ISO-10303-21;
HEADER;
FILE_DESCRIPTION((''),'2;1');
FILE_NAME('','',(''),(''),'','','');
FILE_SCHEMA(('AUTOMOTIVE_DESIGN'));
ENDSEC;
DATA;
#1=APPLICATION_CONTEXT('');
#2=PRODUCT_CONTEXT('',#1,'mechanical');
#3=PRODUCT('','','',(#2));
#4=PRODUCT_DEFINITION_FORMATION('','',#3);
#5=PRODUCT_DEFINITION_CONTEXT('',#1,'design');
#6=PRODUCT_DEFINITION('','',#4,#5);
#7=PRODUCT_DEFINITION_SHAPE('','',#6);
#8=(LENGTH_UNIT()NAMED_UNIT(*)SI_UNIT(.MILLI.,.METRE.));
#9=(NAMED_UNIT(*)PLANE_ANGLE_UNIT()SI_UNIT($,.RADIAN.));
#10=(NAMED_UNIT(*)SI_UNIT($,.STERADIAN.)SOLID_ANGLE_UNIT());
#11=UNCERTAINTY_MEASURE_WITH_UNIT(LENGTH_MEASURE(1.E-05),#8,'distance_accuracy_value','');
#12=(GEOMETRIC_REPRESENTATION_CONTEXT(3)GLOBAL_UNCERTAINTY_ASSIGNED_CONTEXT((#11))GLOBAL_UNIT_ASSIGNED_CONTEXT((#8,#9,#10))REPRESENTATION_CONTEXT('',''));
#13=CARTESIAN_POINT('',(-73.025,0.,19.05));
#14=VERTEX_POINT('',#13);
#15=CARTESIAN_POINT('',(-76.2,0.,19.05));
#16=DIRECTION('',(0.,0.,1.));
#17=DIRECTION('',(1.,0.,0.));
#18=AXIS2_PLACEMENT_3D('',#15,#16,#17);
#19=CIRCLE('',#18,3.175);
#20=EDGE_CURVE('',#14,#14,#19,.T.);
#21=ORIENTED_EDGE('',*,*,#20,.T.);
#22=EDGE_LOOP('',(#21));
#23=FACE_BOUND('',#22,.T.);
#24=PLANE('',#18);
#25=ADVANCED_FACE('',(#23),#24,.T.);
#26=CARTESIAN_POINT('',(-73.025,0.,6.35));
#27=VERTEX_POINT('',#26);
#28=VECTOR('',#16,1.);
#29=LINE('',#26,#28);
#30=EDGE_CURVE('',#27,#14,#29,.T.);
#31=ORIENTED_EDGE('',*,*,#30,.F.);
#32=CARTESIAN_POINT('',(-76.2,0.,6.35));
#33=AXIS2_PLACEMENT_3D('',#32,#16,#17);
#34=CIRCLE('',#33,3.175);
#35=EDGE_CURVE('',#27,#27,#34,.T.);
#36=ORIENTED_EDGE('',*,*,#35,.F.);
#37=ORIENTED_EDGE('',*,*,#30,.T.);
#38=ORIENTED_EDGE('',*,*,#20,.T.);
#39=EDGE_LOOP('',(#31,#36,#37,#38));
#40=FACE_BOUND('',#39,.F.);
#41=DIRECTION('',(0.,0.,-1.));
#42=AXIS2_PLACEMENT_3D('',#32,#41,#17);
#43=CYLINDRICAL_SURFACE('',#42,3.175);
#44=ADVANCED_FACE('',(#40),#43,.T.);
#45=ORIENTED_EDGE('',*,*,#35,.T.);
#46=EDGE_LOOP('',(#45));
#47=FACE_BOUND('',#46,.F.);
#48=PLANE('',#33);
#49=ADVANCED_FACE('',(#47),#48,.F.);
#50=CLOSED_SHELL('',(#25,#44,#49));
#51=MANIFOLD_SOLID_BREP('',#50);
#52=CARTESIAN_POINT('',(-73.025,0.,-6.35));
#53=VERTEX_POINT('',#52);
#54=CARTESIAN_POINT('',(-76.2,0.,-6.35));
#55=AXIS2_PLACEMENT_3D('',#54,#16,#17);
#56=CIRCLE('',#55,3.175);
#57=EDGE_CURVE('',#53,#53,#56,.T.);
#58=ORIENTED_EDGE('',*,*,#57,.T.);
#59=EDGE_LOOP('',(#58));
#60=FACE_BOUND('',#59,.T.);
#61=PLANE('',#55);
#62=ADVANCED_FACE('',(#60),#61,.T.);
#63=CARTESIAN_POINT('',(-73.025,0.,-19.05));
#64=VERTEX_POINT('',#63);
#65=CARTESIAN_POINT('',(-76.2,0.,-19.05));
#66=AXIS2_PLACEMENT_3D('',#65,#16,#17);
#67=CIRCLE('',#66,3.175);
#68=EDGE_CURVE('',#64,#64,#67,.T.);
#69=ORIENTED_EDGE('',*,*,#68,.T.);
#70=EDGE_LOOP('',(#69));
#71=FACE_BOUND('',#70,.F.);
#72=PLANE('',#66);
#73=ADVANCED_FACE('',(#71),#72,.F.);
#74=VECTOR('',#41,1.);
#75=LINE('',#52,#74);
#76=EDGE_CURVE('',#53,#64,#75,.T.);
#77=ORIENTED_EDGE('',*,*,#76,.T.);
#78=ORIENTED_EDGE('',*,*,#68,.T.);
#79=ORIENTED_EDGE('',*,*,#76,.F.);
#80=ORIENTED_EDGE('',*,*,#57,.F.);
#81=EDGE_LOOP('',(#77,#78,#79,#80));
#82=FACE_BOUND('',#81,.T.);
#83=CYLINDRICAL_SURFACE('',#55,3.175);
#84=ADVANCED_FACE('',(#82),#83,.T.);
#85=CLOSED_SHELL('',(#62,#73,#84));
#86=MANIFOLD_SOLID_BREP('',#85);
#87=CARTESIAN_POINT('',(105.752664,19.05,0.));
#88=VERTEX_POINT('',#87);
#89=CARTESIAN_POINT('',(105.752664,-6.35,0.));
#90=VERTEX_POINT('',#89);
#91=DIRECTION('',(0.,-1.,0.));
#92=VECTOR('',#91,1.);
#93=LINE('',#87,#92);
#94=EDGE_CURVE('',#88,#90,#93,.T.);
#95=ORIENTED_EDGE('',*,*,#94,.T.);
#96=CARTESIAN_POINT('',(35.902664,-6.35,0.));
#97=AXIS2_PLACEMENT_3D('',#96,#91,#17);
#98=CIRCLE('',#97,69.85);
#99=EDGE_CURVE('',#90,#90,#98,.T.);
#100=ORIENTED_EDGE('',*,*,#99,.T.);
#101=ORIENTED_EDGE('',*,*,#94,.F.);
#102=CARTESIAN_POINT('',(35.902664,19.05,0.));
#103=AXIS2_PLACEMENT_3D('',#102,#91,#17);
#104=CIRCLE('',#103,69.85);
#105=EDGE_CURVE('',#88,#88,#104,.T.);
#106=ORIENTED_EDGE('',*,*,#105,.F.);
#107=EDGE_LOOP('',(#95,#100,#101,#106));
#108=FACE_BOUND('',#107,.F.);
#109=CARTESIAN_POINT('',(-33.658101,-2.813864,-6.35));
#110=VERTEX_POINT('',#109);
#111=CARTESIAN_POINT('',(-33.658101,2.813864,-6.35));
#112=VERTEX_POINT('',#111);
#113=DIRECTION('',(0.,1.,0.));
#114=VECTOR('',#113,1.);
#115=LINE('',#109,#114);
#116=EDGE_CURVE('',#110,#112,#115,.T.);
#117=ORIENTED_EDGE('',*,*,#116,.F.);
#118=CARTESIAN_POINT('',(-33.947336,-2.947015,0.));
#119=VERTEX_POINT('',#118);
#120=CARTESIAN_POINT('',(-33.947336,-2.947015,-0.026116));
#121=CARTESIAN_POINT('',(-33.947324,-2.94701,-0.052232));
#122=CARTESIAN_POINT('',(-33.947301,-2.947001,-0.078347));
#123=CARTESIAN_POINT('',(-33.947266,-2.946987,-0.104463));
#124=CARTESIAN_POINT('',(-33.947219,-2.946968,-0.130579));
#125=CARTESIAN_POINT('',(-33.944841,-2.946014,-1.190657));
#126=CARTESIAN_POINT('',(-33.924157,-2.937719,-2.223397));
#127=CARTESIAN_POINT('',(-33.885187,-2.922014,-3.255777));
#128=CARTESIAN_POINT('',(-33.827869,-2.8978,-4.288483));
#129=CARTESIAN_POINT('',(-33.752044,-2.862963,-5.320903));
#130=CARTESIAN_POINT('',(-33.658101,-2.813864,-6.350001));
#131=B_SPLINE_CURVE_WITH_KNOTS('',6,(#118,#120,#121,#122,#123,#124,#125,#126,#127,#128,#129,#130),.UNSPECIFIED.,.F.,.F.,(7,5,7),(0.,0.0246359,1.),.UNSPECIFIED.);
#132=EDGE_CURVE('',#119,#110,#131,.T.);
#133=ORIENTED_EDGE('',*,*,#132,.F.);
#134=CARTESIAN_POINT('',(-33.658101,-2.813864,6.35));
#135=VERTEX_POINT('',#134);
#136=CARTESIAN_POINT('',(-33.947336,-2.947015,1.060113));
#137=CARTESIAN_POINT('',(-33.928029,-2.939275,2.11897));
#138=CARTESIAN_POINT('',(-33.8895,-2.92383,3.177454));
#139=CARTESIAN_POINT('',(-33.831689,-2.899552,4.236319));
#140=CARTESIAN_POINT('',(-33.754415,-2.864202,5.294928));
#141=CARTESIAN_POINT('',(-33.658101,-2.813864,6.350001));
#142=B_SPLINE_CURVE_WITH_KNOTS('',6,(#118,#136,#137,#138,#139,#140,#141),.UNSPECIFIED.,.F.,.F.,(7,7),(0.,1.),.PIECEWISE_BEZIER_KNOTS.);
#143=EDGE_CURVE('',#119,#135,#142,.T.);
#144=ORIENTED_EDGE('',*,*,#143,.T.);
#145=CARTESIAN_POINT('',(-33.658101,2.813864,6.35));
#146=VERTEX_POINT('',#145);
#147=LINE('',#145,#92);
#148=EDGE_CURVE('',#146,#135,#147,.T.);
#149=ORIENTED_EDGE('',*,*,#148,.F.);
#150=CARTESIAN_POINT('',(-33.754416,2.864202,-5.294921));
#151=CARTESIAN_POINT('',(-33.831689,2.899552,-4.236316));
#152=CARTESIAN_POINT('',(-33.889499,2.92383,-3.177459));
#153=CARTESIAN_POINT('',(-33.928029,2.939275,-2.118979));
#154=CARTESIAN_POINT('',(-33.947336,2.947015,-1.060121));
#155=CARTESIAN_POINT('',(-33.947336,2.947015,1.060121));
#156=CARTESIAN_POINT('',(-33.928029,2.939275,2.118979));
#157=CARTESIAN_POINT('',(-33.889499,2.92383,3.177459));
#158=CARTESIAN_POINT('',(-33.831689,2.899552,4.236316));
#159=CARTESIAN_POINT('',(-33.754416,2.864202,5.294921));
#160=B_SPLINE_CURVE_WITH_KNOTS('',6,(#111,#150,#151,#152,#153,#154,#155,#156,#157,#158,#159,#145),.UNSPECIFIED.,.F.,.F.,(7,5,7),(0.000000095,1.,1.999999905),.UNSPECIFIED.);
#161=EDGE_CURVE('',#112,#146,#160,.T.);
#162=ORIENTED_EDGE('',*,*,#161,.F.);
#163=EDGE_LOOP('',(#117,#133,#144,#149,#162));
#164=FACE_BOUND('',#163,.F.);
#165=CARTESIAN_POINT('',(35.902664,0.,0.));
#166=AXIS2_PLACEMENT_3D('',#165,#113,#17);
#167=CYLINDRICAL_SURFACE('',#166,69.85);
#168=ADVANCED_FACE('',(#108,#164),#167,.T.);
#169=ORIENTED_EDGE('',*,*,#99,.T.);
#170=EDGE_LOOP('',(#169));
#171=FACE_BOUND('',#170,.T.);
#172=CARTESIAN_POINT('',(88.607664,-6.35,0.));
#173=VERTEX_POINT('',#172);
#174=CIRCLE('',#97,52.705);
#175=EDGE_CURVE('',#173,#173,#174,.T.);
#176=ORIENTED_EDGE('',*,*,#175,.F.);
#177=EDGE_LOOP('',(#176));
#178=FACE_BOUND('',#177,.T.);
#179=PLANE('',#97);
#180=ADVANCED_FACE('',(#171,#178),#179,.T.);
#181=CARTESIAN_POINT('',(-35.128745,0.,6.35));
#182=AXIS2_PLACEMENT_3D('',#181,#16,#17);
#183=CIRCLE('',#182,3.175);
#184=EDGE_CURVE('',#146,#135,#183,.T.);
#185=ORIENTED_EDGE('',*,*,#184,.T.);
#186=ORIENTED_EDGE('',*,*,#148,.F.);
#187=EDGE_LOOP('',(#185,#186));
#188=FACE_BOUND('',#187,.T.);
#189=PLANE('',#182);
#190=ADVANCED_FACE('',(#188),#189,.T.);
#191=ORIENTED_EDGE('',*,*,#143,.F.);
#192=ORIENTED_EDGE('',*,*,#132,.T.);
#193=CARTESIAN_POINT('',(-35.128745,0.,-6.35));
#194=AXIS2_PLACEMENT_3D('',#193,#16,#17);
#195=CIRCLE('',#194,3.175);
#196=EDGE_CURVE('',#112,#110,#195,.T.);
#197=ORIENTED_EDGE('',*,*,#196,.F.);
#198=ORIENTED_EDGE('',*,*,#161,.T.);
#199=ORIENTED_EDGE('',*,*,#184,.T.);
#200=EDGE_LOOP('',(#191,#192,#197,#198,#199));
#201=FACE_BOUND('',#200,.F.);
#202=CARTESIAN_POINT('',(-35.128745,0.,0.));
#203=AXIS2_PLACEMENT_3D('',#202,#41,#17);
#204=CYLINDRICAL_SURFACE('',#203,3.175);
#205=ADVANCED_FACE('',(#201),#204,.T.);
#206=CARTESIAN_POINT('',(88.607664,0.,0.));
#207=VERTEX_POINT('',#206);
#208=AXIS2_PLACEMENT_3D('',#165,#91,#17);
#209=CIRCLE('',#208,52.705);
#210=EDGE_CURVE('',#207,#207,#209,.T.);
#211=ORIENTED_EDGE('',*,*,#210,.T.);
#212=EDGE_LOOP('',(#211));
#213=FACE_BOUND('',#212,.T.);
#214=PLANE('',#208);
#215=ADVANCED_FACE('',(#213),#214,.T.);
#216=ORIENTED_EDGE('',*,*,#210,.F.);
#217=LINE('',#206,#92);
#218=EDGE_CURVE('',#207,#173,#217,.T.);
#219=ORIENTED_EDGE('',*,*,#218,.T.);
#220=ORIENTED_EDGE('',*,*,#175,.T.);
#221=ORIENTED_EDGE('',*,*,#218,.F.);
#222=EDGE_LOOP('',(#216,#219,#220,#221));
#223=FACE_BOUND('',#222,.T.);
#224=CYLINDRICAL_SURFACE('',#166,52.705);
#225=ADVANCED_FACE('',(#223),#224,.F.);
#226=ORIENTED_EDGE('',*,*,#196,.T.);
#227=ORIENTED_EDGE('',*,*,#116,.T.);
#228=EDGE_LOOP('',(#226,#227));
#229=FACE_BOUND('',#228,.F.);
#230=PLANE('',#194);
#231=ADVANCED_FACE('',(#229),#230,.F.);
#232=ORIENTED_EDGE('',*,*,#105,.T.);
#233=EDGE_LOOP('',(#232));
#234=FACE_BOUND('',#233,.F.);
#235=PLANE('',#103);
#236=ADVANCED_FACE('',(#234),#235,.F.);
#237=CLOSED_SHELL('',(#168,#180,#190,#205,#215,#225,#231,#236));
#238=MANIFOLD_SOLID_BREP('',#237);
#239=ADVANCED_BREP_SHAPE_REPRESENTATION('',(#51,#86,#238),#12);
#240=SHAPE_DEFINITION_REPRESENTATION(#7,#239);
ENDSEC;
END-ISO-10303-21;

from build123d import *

# Parameters (mm, degrees)
F1_START      = 6.35
F0_R          = 3.175
F1_DEPTH      = 12.7
F3_START      = -6.35
F2_R          = 3.175
F3_DEPTH      = 12.7
F4_R          = 3.175
F5_DEPTH      = 6.35
F5_DEPTH_BACK = 6.35
F6_R          = 69.85
F7_DEPTH      = 19.05
F8_R          = 69.85
F8_R_2        = 52.705
F9_DEPTH      = 6.35


with BuildPart() as f1:
    # F0 (on Top) → F1 (new body)
    with BuildSketch(Plane.XY.offset(F1_START)):
        with Locations((-76.2, 0)):
            Circle(F0_R)
    extrude(amount=F1_DEPTH)


with BuildPart() as f3:
    # F2 (on Top) → F3 (new body)
    with BuildSketch(Plane.XY.offset(F3_START)):
        with Locations((-76.2, 0)):
            Circle(F2_R)
    extrude(amount=-F3_DEPTH)


with BuildPart() as f5:
    # F4 (on Top) → F5 (new body, two sides)
    with BuildSketch(Plane.XY) as f5_sk:
        with Locations((-35.1287453057, 0)):
            Circle(F4_R)
    extrude(amount=-F5_DEPTH)
    extrude(f5_sk.sketch, amount=F5_DEPTH_BACK)

    # F6 (on Front) → F7 (join)
    with BuildSketch(Plane.XZ):
        with Locations((35.9026640654, 0)):
            Circle(F6_R)
    extrude(amount=-F7_DEPTH)

    # F8 (on face) → F9 (join)
    with BuildSketch(Plane.XZ):
        with Locations((35.9026640654, 0)):
            Circle(F8_R)
        with Locations((35.9026640654, 0)):
            Circle(F8_R_2, mode=Mode.SUBTRACT)
    extrude(amount=F9_DEPTH)


solid = Compound([f1.part, f3.part, f5.part])
